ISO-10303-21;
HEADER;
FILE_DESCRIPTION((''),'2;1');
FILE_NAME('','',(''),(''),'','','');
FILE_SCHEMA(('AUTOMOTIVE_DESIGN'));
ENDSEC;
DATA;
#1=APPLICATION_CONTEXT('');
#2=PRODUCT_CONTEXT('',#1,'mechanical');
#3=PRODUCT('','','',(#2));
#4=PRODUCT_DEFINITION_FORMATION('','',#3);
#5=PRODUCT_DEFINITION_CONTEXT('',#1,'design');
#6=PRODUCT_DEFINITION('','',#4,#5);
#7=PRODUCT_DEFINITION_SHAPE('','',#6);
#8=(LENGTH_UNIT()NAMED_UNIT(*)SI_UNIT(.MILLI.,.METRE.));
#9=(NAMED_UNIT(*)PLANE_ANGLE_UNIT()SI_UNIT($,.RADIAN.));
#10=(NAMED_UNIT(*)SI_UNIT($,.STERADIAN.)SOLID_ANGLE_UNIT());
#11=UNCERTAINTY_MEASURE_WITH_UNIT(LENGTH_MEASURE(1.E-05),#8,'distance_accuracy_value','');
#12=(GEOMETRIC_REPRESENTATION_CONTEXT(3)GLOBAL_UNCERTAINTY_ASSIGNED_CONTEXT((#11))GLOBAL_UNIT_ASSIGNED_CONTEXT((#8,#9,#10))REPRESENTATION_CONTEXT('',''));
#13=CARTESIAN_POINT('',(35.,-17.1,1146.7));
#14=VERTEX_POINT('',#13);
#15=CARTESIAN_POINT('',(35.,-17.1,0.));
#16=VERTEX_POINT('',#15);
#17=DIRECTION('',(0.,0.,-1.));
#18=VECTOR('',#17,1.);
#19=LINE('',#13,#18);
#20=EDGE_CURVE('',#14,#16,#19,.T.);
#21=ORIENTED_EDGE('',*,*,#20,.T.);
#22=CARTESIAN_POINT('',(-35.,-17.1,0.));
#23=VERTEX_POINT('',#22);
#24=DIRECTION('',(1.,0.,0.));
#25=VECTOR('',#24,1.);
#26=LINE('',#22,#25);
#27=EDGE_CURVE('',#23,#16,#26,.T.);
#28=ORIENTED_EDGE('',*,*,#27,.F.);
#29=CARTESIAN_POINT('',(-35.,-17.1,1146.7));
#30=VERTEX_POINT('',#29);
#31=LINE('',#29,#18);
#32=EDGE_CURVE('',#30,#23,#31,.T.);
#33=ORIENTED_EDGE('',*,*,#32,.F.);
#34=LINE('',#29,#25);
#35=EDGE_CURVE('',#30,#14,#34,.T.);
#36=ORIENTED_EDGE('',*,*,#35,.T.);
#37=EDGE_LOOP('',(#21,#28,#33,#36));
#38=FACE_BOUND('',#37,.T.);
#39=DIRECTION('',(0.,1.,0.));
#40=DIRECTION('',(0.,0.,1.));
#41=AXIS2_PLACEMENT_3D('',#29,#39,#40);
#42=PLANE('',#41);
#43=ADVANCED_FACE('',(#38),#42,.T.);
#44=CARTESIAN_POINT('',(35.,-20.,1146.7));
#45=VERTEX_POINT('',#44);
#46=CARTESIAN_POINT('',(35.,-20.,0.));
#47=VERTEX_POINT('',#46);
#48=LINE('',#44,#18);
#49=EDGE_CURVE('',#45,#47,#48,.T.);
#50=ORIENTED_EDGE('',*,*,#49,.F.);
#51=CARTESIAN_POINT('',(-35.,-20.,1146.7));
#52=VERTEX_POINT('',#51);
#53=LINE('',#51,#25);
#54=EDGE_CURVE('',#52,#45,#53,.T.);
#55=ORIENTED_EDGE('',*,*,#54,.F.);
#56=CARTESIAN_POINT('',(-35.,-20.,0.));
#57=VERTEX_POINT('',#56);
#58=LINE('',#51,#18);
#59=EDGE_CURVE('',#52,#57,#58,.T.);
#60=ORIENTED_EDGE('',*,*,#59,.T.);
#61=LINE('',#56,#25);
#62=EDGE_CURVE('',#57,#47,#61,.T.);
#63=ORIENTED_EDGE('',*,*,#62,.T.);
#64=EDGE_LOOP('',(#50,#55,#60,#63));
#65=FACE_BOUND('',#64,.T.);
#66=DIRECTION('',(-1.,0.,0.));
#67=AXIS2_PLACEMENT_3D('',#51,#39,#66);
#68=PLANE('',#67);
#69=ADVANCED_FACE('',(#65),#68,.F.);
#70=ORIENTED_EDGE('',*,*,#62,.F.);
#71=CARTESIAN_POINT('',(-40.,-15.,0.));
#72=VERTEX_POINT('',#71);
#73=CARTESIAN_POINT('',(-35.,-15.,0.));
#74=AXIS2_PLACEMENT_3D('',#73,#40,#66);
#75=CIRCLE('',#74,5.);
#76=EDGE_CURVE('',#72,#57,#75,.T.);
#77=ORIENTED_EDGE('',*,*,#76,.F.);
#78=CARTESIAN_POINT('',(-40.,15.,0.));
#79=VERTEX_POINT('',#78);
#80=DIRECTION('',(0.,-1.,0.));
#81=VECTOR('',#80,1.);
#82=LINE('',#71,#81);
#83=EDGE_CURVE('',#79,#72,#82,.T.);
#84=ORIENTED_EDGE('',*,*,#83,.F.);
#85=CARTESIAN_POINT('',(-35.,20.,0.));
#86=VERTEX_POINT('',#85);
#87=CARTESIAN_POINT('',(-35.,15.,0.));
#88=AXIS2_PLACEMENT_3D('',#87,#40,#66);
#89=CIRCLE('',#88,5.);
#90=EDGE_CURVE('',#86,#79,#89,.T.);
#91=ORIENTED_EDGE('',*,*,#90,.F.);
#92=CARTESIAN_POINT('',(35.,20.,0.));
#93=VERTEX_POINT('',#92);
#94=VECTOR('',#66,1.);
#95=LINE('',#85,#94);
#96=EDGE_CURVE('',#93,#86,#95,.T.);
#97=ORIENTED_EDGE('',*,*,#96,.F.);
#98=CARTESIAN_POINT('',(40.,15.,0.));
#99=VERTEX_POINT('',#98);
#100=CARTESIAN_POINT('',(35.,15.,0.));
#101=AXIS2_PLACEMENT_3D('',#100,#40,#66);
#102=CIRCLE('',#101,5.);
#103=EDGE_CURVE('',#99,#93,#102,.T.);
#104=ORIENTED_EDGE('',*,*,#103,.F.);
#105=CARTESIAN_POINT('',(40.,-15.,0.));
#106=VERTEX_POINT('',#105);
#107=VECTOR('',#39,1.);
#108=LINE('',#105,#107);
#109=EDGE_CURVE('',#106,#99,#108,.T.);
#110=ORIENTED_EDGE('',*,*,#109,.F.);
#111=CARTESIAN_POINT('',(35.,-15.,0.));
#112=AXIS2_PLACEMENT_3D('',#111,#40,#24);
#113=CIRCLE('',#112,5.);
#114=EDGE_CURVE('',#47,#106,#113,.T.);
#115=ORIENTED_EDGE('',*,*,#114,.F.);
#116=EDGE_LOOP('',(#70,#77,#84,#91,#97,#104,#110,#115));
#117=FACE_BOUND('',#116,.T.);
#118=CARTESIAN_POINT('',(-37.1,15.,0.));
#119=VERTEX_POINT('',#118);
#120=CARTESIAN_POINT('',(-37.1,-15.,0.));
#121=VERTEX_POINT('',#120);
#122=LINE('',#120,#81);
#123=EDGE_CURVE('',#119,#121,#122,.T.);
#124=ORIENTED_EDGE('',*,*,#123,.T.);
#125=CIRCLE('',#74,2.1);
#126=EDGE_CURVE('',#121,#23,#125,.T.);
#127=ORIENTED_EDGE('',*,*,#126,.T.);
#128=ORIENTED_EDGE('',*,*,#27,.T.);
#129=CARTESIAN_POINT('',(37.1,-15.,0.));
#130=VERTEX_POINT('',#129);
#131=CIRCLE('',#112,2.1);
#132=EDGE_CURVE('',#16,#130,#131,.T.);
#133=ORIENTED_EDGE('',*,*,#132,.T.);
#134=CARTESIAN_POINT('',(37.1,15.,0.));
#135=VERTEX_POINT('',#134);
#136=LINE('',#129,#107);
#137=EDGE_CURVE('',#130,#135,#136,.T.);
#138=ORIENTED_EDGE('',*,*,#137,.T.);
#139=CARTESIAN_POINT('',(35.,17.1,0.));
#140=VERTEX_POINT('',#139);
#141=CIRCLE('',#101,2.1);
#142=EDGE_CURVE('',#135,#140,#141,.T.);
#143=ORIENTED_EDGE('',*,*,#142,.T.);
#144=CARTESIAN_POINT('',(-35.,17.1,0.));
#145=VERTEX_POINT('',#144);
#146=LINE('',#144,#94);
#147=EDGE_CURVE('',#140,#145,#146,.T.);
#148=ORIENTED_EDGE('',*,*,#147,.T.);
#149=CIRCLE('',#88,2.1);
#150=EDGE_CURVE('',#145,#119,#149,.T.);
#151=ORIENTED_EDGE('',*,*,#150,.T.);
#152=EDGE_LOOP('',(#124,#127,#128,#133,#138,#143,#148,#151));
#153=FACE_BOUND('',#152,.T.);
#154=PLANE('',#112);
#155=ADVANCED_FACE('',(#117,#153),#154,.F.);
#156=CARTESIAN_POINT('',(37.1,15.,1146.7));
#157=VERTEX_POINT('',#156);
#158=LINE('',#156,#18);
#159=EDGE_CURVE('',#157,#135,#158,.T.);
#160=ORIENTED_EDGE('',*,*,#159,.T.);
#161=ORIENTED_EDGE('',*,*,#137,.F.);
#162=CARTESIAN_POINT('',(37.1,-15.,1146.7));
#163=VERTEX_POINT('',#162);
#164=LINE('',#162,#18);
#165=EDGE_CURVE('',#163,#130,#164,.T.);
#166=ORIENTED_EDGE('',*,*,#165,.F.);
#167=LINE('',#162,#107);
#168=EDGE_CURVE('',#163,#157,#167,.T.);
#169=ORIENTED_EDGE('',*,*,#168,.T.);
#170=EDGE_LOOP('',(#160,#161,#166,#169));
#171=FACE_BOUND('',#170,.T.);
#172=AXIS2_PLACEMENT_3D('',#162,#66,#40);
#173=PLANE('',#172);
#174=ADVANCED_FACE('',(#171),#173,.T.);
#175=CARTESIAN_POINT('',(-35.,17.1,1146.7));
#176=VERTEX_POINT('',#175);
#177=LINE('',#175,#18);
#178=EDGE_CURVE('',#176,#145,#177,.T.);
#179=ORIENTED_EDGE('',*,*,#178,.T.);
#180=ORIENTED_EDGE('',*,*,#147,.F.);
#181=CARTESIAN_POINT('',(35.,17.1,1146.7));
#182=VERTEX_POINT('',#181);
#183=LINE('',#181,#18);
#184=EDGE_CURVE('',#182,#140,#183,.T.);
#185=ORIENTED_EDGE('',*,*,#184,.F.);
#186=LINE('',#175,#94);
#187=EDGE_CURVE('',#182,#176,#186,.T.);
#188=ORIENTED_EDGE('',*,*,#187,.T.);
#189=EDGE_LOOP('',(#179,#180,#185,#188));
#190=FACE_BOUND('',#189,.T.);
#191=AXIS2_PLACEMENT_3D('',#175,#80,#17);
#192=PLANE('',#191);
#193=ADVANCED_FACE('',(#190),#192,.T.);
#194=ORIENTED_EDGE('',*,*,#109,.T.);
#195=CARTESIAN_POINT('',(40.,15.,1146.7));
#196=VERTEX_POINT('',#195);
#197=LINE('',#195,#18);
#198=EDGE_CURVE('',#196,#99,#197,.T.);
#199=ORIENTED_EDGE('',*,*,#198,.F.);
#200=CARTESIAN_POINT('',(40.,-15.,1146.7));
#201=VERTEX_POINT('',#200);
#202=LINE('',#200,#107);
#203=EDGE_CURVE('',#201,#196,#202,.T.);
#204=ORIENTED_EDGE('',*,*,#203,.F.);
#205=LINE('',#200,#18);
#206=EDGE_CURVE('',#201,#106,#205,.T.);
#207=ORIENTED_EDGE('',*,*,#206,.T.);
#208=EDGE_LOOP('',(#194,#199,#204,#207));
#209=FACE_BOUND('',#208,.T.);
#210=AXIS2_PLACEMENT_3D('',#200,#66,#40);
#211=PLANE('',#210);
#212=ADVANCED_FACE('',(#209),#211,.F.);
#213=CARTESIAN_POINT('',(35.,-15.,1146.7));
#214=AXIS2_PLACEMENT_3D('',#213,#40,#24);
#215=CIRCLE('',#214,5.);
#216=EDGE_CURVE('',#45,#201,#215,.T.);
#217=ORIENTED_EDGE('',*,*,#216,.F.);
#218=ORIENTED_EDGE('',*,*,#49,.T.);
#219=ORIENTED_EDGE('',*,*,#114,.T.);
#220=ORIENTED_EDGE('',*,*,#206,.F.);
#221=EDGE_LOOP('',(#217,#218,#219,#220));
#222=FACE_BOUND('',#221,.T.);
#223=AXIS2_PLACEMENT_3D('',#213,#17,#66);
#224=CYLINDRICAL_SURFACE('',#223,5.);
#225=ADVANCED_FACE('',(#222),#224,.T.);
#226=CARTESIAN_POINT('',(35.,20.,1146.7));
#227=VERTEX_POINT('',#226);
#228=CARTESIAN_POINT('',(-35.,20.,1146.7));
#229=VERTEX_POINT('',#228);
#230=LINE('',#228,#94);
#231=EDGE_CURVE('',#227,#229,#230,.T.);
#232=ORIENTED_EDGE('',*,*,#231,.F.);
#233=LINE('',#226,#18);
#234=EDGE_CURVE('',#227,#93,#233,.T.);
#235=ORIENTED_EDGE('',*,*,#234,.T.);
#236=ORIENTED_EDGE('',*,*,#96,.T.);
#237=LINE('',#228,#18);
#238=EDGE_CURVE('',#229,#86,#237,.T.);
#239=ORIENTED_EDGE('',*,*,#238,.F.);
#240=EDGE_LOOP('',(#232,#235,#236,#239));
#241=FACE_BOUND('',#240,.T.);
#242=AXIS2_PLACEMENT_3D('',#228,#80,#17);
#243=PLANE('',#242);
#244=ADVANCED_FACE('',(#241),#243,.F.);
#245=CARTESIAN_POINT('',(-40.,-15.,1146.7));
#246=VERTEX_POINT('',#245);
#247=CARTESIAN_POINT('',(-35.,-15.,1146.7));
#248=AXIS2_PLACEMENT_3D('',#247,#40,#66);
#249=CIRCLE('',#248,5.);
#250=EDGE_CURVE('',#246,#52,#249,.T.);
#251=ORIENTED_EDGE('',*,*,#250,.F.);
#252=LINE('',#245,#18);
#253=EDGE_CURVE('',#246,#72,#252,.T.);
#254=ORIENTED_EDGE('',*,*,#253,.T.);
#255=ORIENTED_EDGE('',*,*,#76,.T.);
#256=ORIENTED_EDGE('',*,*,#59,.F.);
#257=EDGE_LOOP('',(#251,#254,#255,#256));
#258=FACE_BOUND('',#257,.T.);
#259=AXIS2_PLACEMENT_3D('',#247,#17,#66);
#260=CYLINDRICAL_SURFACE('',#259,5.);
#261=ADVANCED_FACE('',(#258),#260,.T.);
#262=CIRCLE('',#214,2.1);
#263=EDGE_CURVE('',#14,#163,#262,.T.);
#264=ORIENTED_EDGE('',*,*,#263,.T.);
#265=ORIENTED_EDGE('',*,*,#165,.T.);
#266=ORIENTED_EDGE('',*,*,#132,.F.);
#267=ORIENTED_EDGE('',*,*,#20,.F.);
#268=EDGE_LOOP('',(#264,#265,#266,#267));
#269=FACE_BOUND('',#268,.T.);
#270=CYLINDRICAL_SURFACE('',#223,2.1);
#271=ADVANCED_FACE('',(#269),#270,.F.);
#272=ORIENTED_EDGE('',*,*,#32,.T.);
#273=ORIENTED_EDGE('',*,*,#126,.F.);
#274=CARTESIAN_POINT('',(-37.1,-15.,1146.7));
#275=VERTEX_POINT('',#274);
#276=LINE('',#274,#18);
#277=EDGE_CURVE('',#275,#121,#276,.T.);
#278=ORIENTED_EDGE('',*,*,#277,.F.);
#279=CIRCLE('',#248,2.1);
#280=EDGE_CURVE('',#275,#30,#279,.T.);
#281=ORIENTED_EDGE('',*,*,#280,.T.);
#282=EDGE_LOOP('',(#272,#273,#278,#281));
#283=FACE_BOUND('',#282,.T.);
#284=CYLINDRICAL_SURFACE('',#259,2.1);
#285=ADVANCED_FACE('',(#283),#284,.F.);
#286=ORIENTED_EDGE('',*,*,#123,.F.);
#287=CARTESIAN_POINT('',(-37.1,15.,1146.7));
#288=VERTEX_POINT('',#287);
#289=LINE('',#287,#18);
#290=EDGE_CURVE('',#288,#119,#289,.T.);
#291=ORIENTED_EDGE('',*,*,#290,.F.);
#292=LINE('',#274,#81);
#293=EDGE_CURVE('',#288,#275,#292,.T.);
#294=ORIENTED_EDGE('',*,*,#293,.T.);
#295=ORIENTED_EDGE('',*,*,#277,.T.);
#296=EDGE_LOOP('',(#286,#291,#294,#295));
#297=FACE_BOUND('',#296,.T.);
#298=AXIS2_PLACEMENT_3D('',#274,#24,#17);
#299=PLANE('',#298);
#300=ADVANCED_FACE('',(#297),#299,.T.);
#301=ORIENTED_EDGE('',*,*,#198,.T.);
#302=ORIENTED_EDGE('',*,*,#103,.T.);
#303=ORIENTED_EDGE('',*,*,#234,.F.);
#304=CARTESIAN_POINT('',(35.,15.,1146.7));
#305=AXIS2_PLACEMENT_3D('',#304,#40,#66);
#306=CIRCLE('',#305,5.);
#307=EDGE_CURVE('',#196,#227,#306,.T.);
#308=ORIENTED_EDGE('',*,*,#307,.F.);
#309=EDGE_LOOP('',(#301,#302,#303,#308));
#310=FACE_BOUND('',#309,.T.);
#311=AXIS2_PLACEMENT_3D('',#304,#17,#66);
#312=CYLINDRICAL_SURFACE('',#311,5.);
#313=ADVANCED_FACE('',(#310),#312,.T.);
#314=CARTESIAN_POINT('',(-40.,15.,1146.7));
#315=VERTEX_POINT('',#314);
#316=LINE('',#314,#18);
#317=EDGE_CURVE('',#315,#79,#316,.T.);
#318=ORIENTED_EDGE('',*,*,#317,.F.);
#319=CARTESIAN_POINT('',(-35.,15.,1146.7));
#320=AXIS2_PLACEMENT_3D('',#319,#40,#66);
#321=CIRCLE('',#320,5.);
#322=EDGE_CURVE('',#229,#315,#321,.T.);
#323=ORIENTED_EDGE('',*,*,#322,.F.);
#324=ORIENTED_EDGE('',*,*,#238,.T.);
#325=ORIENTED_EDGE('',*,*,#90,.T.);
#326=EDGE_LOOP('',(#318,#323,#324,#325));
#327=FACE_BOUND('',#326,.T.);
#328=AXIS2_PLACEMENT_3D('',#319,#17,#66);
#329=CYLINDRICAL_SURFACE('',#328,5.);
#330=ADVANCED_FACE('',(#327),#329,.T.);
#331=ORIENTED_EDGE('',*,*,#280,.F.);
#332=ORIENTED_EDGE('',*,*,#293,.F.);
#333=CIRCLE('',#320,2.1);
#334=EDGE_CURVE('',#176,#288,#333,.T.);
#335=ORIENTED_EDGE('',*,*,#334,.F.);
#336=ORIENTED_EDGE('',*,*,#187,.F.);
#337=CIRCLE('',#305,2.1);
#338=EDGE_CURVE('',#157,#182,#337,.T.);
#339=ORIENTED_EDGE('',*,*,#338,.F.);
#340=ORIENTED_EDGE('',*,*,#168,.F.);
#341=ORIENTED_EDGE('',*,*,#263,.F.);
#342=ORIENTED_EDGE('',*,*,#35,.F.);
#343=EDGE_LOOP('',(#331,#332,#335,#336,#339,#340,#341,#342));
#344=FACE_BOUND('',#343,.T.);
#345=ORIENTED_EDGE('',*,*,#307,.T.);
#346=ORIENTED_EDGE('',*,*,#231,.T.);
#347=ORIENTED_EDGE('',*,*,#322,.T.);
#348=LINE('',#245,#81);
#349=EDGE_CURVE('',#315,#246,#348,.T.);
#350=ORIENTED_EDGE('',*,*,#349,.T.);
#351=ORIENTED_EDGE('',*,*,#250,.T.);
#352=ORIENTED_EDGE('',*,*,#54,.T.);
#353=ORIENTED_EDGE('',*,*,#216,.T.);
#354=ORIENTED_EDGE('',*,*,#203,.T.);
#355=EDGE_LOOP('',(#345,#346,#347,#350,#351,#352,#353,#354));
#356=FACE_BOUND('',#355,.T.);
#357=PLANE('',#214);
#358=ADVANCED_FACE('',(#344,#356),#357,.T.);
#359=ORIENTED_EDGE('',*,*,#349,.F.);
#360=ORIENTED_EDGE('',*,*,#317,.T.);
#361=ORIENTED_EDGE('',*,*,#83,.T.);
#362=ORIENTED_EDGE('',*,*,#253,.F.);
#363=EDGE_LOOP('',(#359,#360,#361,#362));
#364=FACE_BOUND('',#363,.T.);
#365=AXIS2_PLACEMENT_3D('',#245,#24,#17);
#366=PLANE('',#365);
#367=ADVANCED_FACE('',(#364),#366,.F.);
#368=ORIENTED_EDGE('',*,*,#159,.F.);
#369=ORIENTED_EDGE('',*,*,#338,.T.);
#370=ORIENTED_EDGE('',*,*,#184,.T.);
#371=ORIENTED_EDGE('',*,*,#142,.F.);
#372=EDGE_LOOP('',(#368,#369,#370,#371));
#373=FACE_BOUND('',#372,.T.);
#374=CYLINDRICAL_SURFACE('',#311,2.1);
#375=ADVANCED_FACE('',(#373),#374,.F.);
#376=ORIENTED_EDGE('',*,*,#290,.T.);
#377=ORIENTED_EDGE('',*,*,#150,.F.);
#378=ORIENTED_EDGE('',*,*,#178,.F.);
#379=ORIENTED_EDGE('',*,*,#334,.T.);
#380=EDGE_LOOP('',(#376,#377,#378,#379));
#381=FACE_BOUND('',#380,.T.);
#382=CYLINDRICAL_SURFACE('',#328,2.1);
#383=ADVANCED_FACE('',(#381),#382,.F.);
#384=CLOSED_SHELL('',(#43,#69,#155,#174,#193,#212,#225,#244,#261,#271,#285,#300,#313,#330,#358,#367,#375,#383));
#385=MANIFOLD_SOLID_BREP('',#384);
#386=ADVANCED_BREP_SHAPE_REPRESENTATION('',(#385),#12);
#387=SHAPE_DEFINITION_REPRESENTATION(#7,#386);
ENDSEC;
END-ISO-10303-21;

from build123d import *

# Parameters (mm, degrees)
BOSS_EXTRUDE1_DEPTH = 1146.7


with BuildPart() as part:
    # Sketch1 → Boss-Extrude1 (new body)
    with BuildSketch(Plane.XY):
        with BuildLine():
            Line((-35, -20), (35, -20))
            ThreePointArc((35, -20), (38.535533906, -18.535533906), (40, -15))
            Line((40, -15), (40, 15))
            ThreePointArc((40, 15), (38.535533906, 18.535533906), (35, 20))
            Line((35, 20), (-35, 20))
            ThreePointArc((-35, 20), (-38.535533906, 18.535533906), (-40, 15))
            Line((-40, 15), (-40, -15))
            ThreePointArc((-40, -15), (-38.535533906, -18.535533906), (-35, -20))
        make_face()
        with BuildLine():
            Line((-37.1, -15), (-37.1, 15))
            ThreePointArc((-37.1, 15), (-36.48492424, 16.48492424), (-35, 17.1))
            Line((-35, 17.1), (35, 17.1))
            ThreePointArc((35, 17.1), (36.48492424, 16.48492424), (37.1, 15))
            Line((37.1, 15), (37.1, -15))
            ThreePointArc((37.1, -15), (36.48492424, -16.48492424), (35, -17.1))
            Line((35, -17.1), (-35, -17.1))
            ThreePointArc((-35, -17.1), (-36.48492424, -16.48492424), (-37.1, -15))
        make_face(mode=Mode.SUBTRACT)
    extrude(amount=BOSS_EXTRUDE1_DEPTH)


solid = part.part
